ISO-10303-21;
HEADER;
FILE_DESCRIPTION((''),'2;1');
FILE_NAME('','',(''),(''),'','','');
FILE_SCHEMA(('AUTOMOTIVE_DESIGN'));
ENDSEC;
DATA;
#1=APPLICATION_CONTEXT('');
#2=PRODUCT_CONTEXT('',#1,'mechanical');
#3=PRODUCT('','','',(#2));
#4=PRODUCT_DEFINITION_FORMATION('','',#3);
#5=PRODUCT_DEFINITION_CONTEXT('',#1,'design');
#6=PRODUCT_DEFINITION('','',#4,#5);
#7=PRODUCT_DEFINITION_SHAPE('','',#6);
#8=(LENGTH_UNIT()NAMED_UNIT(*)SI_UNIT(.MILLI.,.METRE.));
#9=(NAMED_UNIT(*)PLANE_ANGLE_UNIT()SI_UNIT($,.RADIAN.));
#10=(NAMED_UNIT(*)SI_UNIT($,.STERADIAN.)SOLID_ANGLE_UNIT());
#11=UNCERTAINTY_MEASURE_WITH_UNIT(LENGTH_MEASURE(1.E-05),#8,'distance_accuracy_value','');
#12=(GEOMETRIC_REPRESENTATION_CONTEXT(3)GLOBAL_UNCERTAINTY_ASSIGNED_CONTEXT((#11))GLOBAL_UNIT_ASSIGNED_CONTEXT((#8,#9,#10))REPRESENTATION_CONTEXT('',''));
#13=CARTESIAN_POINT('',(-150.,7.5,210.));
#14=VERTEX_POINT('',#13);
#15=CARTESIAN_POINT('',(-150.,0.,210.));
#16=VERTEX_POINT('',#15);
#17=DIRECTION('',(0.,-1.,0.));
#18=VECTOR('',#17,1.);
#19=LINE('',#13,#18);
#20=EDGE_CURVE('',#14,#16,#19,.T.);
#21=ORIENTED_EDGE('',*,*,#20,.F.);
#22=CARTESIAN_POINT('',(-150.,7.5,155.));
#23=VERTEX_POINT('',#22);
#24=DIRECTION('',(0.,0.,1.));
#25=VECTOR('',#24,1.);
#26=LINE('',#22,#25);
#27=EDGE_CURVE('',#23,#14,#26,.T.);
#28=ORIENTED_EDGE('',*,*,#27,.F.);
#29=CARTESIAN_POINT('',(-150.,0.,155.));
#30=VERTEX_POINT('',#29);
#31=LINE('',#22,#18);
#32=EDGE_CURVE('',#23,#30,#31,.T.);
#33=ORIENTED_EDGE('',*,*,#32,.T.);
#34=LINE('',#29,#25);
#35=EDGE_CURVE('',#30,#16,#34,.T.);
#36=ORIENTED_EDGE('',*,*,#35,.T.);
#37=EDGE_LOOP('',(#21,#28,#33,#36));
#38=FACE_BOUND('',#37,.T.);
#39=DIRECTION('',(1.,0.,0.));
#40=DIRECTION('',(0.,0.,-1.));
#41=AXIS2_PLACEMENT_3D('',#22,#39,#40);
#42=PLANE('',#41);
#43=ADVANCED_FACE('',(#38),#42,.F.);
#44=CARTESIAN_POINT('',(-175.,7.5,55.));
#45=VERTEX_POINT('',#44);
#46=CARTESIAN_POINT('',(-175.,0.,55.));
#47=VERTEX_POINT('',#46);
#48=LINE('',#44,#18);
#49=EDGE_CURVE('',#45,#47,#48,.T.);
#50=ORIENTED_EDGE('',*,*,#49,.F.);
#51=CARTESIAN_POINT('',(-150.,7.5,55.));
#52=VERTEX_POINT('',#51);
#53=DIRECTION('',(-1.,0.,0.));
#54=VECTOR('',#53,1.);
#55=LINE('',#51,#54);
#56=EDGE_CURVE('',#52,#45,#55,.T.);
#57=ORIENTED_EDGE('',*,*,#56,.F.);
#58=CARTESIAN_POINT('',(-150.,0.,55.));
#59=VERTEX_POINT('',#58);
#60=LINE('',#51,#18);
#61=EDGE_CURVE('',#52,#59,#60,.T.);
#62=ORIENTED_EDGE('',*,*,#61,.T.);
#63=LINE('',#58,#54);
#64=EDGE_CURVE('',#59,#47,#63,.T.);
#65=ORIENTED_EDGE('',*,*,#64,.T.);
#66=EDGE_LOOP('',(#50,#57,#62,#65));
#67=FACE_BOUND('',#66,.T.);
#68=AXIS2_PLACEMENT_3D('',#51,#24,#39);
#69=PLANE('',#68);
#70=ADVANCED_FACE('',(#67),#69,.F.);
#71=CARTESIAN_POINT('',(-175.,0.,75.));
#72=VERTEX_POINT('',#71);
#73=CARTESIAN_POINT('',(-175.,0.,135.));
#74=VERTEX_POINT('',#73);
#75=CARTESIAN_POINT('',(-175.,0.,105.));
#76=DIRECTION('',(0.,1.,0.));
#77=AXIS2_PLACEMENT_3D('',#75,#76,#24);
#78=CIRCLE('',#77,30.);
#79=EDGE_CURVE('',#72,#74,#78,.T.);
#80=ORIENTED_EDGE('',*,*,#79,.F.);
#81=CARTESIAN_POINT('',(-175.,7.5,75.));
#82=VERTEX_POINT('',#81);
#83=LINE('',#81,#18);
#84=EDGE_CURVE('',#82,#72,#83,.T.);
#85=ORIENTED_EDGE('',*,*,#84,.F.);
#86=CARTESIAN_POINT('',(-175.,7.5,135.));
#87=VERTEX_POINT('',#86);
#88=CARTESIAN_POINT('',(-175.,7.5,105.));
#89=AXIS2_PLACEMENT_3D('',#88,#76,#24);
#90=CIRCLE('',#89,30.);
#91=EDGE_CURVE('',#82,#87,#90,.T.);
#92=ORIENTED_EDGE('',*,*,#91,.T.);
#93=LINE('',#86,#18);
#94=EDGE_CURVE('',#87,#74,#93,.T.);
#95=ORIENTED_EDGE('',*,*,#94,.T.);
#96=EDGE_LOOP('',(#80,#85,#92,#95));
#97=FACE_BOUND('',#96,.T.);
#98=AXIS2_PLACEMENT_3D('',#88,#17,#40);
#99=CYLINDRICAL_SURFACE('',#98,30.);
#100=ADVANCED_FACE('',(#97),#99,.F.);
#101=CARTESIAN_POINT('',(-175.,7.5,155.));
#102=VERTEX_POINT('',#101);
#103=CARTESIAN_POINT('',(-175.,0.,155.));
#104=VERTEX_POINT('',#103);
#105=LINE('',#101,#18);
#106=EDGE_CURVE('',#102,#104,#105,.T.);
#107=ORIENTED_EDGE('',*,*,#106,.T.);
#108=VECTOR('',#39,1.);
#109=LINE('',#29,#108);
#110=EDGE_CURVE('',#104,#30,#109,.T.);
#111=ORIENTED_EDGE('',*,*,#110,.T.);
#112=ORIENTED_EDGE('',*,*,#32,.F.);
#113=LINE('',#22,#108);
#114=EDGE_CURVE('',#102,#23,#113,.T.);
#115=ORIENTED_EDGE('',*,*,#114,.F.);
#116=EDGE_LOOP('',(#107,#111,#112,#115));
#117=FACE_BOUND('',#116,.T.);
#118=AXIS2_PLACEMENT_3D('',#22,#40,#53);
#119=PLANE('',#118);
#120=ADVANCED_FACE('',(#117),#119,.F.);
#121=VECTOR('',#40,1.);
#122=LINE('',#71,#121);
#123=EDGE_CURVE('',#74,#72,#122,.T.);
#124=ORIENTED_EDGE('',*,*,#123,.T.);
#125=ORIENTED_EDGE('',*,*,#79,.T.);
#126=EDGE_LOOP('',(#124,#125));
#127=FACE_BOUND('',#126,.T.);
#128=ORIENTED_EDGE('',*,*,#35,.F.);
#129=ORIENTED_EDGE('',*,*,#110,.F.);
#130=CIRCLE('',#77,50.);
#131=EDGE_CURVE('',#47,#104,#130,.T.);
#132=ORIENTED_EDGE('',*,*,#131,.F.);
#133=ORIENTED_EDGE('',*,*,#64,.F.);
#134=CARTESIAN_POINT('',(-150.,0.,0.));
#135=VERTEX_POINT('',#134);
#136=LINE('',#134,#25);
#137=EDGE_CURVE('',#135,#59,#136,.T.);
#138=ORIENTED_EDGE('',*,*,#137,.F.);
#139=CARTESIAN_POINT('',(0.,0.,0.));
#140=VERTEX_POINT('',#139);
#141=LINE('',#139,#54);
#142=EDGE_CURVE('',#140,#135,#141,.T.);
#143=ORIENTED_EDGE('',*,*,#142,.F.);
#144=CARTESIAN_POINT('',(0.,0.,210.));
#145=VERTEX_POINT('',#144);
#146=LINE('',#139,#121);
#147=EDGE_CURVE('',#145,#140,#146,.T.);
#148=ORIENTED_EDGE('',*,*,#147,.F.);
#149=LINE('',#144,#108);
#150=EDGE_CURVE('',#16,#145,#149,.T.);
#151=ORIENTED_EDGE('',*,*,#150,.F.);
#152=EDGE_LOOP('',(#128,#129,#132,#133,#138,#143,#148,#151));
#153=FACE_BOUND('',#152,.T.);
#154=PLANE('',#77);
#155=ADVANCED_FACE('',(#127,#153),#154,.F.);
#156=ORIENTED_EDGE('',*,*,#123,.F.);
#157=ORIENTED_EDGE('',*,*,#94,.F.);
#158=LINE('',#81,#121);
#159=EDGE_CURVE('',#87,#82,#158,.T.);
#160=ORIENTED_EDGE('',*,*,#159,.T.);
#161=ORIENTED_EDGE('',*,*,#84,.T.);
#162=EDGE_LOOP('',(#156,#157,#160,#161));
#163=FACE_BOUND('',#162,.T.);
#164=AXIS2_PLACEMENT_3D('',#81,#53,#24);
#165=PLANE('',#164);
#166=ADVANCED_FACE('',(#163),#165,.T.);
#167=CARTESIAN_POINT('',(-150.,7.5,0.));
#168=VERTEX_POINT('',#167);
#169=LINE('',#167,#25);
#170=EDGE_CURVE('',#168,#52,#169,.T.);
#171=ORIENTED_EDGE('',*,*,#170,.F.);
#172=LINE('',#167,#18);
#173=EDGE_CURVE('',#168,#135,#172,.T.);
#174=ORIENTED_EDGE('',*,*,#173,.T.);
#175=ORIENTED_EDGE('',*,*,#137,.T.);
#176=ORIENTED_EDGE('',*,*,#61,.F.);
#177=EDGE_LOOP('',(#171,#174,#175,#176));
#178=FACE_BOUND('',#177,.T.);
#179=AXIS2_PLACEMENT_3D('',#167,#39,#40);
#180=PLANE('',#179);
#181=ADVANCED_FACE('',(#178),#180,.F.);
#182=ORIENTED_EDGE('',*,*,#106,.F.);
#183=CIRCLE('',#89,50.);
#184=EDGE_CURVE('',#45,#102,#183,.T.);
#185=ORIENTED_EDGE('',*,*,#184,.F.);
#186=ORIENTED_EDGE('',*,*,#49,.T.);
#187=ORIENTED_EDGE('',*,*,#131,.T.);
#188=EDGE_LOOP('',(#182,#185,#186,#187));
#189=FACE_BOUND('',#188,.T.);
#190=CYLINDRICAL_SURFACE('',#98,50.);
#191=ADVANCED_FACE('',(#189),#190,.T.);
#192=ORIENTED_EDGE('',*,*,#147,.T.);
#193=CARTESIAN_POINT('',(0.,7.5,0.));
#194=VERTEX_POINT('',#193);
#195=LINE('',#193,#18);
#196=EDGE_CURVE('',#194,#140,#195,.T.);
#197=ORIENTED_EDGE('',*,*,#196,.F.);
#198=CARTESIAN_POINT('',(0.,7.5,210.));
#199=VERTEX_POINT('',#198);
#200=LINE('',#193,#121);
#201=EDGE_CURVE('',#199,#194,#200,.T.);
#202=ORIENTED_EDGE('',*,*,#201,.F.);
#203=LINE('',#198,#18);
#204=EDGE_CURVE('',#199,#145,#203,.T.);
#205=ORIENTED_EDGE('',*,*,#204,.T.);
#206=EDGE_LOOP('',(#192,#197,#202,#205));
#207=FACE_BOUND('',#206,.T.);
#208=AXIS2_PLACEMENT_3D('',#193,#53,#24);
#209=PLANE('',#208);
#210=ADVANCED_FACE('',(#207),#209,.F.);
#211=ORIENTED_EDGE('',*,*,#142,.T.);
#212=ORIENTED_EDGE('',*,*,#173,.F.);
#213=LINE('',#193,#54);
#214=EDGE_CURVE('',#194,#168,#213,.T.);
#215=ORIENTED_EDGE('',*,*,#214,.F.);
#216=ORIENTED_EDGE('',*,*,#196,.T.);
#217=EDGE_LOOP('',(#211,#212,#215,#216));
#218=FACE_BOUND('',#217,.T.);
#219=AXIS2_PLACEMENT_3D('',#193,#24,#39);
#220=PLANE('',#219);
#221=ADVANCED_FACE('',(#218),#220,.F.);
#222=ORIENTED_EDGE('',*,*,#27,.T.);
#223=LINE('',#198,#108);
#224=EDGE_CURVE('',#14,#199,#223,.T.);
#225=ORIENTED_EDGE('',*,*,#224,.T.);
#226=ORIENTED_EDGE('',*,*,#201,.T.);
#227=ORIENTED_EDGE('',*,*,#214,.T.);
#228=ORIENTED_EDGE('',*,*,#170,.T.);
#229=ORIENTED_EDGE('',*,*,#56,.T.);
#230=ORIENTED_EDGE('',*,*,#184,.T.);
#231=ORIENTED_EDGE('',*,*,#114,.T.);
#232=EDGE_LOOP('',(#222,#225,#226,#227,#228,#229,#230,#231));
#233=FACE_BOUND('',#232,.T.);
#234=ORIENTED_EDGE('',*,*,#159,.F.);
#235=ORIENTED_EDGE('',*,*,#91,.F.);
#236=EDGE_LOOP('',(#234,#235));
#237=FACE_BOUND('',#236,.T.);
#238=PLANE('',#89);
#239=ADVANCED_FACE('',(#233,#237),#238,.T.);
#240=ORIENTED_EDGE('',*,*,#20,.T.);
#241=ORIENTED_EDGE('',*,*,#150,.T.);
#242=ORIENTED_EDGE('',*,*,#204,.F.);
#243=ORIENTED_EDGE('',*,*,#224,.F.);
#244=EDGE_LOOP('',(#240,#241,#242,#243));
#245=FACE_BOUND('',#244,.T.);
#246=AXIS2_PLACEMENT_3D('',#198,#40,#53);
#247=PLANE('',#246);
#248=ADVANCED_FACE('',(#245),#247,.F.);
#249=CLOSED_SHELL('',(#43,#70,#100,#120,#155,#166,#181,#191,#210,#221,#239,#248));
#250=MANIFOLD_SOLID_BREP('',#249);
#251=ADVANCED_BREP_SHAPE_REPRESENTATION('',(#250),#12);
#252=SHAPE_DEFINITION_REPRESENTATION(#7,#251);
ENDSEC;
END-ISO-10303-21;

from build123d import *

# Parameters (mm, degrees)
BOSS_EXTRUDE1_DEPTH = 7.5


with BuildPart() as part:
    # Sketch1 → Boss-Extrude1 (new body)
    with BuildSketch(Plane(origin=(0, 0, 0), x_dir=(1, 0, 0), z_dir=(0, 1, 0))):
        with BuildLine():
            Line((0, 0), (-150, 0))
            Line((-150, 0), (-150, -55))
            Line((-150, -55), (-175, -55))
            ThreePointArc((-175, -55), (-225, -105), (-175, -155))
            Line((-175, -155), (-150, -155))
            Line((-150, -155), (-150, -210))
            Line((-150, -210), (0, -210))
            Line((0, -210), (0, 0))
        make_face()
        with BuildLine():
            Line((-175, -75), (-175, -135))
            ThreePointArc((-175, -135), (-205, -105), (-175, -75))
        make_face(mode=Mode.SUBTRACT)
    extrude(amount=BOSS_EXTRUDE1_DEPTH)


solid = part.part
